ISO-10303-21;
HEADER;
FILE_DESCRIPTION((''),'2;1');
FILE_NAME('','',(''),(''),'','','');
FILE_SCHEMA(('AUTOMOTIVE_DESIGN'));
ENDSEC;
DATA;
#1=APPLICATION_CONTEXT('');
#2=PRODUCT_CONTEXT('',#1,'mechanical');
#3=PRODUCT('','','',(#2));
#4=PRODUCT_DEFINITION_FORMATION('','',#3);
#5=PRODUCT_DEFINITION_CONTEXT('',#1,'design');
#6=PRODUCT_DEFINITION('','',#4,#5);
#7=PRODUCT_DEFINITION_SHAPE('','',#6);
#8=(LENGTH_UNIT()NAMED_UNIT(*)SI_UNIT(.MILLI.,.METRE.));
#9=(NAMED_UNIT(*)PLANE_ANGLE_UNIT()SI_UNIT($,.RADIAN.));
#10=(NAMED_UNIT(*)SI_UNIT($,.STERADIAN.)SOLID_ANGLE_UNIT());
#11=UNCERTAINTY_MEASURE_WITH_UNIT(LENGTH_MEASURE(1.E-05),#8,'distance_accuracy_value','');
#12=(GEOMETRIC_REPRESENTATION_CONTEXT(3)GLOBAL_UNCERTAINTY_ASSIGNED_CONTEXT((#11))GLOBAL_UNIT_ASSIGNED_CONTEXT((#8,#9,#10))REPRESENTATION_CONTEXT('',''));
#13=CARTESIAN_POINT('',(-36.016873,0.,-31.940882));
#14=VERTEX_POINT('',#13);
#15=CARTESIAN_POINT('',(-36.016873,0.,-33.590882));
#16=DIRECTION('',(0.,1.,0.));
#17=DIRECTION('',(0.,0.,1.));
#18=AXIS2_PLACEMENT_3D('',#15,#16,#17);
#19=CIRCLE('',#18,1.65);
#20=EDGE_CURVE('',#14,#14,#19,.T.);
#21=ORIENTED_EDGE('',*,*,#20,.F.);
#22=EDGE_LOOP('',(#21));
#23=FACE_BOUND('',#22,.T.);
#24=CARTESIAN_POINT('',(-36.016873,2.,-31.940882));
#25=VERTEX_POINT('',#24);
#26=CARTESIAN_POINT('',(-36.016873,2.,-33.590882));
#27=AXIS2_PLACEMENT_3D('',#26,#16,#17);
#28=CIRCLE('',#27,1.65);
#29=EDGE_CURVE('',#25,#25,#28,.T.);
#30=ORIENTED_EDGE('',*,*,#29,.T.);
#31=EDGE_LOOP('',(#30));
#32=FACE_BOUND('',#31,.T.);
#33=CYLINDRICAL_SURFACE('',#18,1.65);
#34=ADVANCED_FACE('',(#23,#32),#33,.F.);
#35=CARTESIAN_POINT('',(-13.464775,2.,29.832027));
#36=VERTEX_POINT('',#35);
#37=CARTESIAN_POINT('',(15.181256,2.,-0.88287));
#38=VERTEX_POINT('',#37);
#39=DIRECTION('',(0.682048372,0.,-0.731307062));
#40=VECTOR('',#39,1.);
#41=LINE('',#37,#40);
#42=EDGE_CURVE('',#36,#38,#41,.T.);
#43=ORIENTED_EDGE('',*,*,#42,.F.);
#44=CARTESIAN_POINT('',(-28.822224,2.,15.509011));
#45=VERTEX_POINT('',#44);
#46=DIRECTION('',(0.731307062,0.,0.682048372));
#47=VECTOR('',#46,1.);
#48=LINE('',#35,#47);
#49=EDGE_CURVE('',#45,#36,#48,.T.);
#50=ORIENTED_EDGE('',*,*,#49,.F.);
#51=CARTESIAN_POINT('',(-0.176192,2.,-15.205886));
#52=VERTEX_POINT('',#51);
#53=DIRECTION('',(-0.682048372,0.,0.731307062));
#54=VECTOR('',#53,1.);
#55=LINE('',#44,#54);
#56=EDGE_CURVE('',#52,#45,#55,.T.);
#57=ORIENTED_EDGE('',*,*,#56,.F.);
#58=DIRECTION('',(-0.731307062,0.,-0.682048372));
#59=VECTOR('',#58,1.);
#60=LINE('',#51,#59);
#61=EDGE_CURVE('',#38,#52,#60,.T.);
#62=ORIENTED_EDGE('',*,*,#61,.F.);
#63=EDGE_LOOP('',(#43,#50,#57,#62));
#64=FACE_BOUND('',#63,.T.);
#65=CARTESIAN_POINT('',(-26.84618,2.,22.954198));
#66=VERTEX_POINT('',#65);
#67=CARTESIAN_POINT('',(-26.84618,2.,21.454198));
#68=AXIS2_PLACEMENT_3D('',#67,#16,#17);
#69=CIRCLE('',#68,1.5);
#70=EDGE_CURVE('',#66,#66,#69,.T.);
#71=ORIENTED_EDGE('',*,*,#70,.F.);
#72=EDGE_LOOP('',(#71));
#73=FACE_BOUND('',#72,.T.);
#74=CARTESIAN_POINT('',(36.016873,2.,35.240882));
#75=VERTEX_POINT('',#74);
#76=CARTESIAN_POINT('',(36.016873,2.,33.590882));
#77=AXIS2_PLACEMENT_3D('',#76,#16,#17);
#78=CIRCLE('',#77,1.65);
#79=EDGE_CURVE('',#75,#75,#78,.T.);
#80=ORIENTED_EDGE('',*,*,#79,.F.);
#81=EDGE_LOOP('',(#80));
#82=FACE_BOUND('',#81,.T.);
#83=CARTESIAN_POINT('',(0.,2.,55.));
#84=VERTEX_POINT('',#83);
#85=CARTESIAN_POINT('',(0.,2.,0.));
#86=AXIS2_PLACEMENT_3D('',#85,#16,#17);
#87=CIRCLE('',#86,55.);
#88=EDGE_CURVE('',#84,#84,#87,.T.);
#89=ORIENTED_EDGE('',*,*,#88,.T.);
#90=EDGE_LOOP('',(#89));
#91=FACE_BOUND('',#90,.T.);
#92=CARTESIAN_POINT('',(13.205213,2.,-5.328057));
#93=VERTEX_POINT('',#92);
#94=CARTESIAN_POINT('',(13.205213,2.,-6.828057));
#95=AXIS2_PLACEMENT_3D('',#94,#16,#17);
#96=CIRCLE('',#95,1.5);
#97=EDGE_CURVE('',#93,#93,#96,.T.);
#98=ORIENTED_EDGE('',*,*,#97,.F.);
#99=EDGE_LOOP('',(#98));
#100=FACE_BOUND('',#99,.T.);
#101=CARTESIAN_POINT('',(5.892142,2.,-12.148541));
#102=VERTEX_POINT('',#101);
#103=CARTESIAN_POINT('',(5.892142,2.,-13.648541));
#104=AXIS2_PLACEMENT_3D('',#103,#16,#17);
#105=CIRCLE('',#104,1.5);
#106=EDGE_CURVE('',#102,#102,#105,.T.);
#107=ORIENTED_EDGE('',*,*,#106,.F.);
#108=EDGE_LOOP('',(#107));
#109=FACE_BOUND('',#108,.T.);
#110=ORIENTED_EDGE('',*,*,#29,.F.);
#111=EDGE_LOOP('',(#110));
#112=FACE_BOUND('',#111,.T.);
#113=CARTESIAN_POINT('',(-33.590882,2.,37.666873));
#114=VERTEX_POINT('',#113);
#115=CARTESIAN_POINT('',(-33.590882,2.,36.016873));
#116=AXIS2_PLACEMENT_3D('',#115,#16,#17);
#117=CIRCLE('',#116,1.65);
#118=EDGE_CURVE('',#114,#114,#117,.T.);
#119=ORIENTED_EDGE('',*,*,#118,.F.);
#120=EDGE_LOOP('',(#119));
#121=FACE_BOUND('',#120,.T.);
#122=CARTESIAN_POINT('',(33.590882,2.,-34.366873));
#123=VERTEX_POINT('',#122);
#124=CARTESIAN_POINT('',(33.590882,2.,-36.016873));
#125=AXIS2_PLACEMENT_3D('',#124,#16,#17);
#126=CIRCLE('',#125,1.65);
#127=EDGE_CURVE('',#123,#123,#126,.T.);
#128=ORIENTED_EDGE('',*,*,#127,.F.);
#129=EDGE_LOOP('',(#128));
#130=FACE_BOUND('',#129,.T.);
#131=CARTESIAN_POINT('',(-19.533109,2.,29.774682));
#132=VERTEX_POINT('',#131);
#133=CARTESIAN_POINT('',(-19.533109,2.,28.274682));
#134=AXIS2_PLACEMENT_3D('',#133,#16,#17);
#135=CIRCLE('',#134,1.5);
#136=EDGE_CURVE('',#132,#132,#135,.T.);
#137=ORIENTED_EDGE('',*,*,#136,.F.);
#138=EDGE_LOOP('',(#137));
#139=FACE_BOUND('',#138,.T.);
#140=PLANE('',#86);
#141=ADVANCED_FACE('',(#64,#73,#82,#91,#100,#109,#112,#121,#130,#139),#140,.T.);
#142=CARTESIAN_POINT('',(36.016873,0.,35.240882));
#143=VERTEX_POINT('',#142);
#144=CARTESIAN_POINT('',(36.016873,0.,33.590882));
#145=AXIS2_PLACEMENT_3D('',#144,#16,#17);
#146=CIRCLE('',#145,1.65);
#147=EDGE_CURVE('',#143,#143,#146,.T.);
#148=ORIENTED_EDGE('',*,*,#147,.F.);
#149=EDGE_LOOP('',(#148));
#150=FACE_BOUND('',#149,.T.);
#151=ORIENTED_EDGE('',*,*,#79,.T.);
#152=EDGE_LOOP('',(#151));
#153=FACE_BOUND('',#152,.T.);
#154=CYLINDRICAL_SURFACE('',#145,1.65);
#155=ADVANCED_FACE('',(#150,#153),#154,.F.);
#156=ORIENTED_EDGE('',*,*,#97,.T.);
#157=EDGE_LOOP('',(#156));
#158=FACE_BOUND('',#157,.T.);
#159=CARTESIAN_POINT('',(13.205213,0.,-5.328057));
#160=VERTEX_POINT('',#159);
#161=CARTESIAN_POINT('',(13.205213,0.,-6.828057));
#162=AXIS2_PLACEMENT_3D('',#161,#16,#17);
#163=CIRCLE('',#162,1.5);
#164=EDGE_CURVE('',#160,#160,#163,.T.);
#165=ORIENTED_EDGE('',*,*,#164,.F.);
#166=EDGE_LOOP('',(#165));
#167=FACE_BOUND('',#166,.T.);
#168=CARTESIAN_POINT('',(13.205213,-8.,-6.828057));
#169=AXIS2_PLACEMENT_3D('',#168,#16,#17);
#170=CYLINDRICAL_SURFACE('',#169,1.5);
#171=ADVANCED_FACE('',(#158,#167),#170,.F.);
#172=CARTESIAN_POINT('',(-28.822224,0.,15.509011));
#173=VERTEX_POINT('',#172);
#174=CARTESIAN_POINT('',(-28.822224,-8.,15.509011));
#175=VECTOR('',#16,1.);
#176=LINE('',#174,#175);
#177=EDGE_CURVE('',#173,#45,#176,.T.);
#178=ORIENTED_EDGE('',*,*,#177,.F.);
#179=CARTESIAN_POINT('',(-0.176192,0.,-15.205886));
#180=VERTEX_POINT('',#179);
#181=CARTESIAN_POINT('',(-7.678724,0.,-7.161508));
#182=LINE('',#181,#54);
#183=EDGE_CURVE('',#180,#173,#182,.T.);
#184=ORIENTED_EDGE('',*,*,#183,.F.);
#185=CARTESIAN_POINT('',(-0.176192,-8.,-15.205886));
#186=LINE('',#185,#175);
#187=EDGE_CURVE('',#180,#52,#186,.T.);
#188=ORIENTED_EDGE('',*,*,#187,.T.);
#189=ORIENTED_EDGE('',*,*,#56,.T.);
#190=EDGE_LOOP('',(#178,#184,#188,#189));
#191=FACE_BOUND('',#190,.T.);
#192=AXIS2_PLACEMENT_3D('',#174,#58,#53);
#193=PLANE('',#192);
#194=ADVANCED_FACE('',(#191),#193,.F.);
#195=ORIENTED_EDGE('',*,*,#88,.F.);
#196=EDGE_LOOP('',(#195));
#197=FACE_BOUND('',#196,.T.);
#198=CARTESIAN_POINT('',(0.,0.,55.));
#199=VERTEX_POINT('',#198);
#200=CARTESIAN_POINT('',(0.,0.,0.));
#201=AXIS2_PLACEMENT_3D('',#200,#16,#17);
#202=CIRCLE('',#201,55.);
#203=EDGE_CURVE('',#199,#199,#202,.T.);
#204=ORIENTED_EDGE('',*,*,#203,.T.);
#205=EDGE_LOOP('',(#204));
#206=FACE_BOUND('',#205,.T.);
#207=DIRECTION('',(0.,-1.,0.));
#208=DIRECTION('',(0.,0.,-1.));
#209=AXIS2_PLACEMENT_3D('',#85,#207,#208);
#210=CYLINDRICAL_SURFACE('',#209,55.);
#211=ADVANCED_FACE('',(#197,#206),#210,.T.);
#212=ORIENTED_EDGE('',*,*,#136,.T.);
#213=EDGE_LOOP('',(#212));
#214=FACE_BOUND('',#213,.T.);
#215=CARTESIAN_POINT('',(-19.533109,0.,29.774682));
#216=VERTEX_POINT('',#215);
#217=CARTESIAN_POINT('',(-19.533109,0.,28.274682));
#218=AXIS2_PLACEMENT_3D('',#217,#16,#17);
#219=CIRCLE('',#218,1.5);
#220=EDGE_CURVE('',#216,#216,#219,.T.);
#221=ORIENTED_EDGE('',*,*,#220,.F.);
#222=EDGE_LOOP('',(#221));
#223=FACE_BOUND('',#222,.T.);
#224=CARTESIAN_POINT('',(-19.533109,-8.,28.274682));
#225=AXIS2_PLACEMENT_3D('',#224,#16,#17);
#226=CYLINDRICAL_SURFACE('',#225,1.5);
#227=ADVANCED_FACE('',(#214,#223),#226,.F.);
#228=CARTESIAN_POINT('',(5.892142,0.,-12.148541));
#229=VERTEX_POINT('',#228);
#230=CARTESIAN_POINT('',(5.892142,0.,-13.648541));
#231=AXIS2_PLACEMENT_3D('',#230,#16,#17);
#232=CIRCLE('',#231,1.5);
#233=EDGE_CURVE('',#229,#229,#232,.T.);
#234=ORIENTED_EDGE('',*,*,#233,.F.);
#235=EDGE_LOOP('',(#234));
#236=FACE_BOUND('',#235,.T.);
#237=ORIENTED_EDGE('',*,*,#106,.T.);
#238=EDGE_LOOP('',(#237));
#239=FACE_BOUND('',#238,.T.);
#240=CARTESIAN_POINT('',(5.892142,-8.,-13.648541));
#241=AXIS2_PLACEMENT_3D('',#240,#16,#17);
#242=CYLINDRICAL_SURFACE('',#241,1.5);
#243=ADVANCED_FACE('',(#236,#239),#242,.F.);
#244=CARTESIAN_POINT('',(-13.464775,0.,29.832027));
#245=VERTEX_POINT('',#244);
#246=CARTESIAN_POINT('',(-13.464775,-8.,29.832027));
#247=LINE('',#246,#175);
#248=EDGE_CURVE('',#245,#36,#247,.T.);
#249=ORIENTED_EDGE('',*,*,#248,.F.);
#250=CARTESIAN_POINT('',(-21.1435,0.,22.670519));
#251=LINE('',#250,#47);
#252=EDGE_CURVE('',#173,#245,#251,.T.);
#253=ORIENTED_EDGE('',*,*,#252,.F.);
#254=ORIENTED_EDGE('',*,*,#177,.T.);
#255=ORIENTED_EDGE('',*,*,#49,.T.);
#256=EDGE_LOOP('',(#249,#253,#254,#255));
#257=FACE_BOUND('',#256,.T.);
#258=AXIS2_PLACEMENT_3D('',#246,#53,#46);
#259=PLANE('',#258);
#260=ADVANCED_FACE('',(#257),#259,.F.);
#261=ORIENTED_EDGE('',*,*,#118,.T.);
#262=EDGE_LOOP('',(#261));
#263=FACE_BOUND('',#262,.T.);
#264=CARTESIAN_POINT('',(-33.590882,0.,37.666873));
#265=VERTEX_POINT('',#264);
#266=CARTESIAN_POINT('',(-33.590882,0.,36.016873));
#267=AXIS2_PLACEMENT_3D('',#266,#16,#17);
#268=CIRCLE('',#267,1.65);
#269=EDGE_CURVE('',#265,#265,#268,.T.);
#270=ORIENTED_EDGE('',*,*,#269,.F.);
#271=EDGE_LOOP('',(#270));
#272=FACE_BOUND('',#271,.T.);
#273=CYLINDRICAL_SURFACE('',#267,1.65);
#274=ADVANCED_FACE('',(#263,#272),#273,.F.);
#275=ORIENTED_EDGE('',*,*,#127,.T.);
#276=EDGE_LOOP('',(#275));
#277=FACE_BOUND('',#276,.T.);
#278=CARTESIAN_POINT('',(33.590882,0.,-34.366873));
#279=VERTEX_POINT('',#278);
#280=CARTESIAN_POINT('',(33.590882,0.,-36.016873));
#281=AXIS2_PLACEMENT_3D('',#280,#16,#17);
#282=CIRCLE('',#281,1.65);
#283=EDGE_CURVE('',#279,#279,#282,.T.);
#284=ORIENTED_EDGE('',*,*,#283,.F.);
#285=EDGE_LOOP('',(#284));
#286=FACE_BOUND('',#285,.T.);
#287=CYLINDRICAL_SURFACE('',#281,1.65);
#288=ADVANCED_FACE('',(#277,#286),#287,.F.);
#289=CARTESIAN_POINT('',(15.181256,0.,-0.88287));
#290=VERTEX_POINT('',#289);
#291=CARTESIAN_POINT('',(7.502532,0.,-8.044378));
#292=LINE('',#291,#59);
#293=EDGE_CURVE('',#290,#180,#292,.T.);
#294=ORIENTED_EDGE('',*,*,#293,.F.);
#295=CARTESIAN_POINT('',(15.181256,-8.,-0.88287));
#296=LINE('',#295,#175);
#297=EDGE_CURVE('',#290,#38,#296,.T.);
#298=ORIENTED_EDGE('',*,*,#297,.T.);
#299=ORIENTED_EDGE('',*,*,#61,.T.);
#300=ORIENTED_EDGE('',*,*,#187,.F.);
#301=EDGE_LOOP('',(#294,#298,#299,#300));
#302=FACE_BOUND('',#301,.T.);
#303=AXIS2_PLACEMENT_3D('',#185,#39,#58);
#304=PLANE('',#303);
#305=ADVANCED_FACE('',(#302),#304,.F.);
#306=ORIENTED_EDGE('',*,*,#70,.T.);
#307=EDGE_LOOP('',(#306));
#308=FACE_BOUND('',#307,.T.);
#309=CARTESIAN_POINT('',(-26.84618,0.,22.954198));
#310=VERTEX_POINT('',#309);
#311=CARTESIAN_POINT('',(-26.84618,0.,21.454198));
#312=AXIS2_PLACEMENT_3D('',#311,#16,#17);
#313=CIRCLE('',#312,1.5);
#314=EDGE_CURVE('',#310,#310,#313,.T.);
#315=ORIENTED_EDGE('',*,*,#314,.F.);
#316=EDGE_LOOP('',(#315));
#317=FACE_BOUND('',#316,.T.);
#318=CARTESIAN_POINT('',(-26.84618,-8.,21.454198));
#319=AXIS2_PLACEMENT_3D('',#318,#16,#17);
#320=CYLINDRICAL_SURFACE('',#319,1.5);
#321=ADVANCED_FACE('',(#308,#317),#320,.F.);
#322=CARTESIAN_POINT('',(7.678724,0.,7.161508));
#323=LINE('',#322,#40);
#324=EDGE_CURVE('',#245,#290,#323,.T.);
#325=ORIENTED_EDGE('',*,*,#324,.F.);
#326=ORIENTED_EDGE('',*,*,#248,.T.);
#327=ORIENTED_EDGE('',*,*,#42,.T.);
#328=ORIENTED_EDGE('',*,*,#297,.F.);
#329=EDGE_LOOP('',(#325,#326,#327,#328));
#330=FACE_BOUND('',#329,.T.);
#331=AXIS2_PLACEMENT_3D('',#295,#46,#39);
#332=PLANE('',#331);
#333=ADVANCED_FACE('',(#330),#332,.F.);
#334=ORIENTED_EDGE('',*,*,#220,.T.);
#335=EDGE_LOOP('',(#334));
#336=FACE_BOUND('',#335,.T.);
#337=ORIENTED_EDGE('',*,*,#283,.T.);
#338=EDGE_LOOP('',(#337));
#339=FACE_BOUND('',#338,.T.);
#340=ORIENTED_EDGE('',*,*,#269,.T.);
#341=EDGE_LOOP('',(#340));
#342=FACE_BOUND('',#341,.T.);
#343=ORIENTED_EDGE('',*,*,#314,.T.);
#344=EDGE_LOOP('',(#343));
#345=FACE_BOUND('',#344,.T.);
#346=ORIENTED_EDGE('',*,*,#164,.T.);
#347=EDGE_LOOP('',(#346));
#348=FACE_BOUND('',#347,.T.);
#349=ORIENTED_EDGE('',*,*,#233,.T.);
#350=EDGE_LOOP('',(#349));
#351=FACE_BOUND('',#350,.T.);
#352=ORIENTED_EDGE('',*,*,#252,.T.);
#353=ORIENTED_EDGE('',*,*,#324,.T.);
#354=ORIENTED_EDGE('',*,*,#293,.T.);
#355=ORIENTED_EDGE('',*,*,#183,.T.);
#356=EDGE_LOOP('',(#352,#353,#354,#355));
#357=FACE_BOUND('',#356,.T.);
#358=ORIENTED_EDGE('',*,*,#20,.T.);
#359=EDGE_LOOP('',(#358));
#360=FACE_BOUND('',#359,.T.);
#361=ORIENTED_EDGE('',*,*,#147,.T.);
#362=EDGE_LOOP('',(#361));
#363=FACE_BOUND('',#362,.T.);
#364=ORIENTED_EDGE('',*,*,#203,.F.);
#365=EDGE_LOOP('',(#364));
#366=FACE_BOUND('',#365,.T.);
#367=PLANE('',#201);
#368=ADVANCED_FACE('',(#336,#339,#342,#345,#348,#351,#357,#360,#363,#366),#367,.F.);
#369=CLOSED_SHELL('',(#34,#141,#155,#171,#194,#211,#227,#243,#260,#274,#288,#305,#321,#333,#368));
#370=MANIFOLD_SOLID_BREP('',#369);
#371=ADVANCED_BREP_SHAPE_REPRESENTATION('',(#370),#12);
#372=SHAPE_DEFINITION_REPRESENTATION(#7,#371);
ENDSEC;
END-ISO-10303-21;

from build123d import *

# Parameters (mm, degrees)
SKETCH_1_R          = 55
EXTRUDE_1_DEPTH     = 2
SKETCH_2_R          = 1.65
CUT_EXTRUDE_1_DEPTH = 2
SKETCH_2_4_R        = 1.65
CUT_EXTRUDE_3_DEPTH = 2
SKETCH_3_R          = 1.5
CUT_EXTRUDE_4_DEPTH = 10


with BuildPart() as part:
    # 草图1 → 凸台-拉伸1 (new body)
    with BuildSketch(Plane(origin=(0, 0, 0), x_dir=(1, 0, 0), z_dir=(0, 1, 0))):
        Circle(SKETCH_1_R)
    extrude(amount=EXTRUDE_1_DEPTH)

    # 草图2 → 切除-拉伸1 (cut)
    with BuildSketch(Plane(origin=(0, 2, 0), x_dir=(1, 0, 0), z_dir=(0, 1, 0))):
        with Locations((36.016872787, -33.590882314)):
            Circle(SKETCH_2_R)
    extrude(amount=-CUT_EXTRUDE_1_DEPTH, mode=Mode.SUBTRACT)

    # 草图2<4> → 切除-拉伸3 (cut)
    with BuildSketch(Plane(origin=(0, 2, 0), x_dir=(1, 0, 0), z_dir=(0, 1, 0))):
        with Locations((-36.016872787, 33.590882314)):
            Circle(SKETCH_2_4_R)
        with Locations((33.590882314, 36.016872787)):
            Circle(SKETCH_2_4_R)
        with Locations((-33.590882314, -36.016872787)):
            Circle(SKETCH_2_4_R)
    extrude(amount=-CUT_EXTRUDE_3_DEPTH, mode=Mode.SUBTRACT)

    # 草图3 → 切除-拉伸4 (cut)
    with BuildSketch(Plane(origin=(0, 2, 0), x_dir=(1, 0, 0), z_dir=(0, 1, 0))):
        with Locations((-26.846179952, -21.454198237)):
            Circle(SKETCH_3_R)
        with Locations((-19.533109335, -28.274681956)):
            Circle(SKETCH_3_R)
        with Locations((5.892141898, 13.648540723)):
            Circle(SKETCH_3_R)
        with Locations((13.205212514, 6.828057004)):
            Circle(SKETCH_3_R)
        Polygon((-28.822223675, -15.509011007), (-0.176192057, 15.205885583), (15.181256238, 0.882869774), (-13.46477538, -29.832026816), align=None)
    extrude(amount=-CUT_EXTRUDE_4_DEPTH, mode=Mode.SUBTRACT)


solid = part.part
